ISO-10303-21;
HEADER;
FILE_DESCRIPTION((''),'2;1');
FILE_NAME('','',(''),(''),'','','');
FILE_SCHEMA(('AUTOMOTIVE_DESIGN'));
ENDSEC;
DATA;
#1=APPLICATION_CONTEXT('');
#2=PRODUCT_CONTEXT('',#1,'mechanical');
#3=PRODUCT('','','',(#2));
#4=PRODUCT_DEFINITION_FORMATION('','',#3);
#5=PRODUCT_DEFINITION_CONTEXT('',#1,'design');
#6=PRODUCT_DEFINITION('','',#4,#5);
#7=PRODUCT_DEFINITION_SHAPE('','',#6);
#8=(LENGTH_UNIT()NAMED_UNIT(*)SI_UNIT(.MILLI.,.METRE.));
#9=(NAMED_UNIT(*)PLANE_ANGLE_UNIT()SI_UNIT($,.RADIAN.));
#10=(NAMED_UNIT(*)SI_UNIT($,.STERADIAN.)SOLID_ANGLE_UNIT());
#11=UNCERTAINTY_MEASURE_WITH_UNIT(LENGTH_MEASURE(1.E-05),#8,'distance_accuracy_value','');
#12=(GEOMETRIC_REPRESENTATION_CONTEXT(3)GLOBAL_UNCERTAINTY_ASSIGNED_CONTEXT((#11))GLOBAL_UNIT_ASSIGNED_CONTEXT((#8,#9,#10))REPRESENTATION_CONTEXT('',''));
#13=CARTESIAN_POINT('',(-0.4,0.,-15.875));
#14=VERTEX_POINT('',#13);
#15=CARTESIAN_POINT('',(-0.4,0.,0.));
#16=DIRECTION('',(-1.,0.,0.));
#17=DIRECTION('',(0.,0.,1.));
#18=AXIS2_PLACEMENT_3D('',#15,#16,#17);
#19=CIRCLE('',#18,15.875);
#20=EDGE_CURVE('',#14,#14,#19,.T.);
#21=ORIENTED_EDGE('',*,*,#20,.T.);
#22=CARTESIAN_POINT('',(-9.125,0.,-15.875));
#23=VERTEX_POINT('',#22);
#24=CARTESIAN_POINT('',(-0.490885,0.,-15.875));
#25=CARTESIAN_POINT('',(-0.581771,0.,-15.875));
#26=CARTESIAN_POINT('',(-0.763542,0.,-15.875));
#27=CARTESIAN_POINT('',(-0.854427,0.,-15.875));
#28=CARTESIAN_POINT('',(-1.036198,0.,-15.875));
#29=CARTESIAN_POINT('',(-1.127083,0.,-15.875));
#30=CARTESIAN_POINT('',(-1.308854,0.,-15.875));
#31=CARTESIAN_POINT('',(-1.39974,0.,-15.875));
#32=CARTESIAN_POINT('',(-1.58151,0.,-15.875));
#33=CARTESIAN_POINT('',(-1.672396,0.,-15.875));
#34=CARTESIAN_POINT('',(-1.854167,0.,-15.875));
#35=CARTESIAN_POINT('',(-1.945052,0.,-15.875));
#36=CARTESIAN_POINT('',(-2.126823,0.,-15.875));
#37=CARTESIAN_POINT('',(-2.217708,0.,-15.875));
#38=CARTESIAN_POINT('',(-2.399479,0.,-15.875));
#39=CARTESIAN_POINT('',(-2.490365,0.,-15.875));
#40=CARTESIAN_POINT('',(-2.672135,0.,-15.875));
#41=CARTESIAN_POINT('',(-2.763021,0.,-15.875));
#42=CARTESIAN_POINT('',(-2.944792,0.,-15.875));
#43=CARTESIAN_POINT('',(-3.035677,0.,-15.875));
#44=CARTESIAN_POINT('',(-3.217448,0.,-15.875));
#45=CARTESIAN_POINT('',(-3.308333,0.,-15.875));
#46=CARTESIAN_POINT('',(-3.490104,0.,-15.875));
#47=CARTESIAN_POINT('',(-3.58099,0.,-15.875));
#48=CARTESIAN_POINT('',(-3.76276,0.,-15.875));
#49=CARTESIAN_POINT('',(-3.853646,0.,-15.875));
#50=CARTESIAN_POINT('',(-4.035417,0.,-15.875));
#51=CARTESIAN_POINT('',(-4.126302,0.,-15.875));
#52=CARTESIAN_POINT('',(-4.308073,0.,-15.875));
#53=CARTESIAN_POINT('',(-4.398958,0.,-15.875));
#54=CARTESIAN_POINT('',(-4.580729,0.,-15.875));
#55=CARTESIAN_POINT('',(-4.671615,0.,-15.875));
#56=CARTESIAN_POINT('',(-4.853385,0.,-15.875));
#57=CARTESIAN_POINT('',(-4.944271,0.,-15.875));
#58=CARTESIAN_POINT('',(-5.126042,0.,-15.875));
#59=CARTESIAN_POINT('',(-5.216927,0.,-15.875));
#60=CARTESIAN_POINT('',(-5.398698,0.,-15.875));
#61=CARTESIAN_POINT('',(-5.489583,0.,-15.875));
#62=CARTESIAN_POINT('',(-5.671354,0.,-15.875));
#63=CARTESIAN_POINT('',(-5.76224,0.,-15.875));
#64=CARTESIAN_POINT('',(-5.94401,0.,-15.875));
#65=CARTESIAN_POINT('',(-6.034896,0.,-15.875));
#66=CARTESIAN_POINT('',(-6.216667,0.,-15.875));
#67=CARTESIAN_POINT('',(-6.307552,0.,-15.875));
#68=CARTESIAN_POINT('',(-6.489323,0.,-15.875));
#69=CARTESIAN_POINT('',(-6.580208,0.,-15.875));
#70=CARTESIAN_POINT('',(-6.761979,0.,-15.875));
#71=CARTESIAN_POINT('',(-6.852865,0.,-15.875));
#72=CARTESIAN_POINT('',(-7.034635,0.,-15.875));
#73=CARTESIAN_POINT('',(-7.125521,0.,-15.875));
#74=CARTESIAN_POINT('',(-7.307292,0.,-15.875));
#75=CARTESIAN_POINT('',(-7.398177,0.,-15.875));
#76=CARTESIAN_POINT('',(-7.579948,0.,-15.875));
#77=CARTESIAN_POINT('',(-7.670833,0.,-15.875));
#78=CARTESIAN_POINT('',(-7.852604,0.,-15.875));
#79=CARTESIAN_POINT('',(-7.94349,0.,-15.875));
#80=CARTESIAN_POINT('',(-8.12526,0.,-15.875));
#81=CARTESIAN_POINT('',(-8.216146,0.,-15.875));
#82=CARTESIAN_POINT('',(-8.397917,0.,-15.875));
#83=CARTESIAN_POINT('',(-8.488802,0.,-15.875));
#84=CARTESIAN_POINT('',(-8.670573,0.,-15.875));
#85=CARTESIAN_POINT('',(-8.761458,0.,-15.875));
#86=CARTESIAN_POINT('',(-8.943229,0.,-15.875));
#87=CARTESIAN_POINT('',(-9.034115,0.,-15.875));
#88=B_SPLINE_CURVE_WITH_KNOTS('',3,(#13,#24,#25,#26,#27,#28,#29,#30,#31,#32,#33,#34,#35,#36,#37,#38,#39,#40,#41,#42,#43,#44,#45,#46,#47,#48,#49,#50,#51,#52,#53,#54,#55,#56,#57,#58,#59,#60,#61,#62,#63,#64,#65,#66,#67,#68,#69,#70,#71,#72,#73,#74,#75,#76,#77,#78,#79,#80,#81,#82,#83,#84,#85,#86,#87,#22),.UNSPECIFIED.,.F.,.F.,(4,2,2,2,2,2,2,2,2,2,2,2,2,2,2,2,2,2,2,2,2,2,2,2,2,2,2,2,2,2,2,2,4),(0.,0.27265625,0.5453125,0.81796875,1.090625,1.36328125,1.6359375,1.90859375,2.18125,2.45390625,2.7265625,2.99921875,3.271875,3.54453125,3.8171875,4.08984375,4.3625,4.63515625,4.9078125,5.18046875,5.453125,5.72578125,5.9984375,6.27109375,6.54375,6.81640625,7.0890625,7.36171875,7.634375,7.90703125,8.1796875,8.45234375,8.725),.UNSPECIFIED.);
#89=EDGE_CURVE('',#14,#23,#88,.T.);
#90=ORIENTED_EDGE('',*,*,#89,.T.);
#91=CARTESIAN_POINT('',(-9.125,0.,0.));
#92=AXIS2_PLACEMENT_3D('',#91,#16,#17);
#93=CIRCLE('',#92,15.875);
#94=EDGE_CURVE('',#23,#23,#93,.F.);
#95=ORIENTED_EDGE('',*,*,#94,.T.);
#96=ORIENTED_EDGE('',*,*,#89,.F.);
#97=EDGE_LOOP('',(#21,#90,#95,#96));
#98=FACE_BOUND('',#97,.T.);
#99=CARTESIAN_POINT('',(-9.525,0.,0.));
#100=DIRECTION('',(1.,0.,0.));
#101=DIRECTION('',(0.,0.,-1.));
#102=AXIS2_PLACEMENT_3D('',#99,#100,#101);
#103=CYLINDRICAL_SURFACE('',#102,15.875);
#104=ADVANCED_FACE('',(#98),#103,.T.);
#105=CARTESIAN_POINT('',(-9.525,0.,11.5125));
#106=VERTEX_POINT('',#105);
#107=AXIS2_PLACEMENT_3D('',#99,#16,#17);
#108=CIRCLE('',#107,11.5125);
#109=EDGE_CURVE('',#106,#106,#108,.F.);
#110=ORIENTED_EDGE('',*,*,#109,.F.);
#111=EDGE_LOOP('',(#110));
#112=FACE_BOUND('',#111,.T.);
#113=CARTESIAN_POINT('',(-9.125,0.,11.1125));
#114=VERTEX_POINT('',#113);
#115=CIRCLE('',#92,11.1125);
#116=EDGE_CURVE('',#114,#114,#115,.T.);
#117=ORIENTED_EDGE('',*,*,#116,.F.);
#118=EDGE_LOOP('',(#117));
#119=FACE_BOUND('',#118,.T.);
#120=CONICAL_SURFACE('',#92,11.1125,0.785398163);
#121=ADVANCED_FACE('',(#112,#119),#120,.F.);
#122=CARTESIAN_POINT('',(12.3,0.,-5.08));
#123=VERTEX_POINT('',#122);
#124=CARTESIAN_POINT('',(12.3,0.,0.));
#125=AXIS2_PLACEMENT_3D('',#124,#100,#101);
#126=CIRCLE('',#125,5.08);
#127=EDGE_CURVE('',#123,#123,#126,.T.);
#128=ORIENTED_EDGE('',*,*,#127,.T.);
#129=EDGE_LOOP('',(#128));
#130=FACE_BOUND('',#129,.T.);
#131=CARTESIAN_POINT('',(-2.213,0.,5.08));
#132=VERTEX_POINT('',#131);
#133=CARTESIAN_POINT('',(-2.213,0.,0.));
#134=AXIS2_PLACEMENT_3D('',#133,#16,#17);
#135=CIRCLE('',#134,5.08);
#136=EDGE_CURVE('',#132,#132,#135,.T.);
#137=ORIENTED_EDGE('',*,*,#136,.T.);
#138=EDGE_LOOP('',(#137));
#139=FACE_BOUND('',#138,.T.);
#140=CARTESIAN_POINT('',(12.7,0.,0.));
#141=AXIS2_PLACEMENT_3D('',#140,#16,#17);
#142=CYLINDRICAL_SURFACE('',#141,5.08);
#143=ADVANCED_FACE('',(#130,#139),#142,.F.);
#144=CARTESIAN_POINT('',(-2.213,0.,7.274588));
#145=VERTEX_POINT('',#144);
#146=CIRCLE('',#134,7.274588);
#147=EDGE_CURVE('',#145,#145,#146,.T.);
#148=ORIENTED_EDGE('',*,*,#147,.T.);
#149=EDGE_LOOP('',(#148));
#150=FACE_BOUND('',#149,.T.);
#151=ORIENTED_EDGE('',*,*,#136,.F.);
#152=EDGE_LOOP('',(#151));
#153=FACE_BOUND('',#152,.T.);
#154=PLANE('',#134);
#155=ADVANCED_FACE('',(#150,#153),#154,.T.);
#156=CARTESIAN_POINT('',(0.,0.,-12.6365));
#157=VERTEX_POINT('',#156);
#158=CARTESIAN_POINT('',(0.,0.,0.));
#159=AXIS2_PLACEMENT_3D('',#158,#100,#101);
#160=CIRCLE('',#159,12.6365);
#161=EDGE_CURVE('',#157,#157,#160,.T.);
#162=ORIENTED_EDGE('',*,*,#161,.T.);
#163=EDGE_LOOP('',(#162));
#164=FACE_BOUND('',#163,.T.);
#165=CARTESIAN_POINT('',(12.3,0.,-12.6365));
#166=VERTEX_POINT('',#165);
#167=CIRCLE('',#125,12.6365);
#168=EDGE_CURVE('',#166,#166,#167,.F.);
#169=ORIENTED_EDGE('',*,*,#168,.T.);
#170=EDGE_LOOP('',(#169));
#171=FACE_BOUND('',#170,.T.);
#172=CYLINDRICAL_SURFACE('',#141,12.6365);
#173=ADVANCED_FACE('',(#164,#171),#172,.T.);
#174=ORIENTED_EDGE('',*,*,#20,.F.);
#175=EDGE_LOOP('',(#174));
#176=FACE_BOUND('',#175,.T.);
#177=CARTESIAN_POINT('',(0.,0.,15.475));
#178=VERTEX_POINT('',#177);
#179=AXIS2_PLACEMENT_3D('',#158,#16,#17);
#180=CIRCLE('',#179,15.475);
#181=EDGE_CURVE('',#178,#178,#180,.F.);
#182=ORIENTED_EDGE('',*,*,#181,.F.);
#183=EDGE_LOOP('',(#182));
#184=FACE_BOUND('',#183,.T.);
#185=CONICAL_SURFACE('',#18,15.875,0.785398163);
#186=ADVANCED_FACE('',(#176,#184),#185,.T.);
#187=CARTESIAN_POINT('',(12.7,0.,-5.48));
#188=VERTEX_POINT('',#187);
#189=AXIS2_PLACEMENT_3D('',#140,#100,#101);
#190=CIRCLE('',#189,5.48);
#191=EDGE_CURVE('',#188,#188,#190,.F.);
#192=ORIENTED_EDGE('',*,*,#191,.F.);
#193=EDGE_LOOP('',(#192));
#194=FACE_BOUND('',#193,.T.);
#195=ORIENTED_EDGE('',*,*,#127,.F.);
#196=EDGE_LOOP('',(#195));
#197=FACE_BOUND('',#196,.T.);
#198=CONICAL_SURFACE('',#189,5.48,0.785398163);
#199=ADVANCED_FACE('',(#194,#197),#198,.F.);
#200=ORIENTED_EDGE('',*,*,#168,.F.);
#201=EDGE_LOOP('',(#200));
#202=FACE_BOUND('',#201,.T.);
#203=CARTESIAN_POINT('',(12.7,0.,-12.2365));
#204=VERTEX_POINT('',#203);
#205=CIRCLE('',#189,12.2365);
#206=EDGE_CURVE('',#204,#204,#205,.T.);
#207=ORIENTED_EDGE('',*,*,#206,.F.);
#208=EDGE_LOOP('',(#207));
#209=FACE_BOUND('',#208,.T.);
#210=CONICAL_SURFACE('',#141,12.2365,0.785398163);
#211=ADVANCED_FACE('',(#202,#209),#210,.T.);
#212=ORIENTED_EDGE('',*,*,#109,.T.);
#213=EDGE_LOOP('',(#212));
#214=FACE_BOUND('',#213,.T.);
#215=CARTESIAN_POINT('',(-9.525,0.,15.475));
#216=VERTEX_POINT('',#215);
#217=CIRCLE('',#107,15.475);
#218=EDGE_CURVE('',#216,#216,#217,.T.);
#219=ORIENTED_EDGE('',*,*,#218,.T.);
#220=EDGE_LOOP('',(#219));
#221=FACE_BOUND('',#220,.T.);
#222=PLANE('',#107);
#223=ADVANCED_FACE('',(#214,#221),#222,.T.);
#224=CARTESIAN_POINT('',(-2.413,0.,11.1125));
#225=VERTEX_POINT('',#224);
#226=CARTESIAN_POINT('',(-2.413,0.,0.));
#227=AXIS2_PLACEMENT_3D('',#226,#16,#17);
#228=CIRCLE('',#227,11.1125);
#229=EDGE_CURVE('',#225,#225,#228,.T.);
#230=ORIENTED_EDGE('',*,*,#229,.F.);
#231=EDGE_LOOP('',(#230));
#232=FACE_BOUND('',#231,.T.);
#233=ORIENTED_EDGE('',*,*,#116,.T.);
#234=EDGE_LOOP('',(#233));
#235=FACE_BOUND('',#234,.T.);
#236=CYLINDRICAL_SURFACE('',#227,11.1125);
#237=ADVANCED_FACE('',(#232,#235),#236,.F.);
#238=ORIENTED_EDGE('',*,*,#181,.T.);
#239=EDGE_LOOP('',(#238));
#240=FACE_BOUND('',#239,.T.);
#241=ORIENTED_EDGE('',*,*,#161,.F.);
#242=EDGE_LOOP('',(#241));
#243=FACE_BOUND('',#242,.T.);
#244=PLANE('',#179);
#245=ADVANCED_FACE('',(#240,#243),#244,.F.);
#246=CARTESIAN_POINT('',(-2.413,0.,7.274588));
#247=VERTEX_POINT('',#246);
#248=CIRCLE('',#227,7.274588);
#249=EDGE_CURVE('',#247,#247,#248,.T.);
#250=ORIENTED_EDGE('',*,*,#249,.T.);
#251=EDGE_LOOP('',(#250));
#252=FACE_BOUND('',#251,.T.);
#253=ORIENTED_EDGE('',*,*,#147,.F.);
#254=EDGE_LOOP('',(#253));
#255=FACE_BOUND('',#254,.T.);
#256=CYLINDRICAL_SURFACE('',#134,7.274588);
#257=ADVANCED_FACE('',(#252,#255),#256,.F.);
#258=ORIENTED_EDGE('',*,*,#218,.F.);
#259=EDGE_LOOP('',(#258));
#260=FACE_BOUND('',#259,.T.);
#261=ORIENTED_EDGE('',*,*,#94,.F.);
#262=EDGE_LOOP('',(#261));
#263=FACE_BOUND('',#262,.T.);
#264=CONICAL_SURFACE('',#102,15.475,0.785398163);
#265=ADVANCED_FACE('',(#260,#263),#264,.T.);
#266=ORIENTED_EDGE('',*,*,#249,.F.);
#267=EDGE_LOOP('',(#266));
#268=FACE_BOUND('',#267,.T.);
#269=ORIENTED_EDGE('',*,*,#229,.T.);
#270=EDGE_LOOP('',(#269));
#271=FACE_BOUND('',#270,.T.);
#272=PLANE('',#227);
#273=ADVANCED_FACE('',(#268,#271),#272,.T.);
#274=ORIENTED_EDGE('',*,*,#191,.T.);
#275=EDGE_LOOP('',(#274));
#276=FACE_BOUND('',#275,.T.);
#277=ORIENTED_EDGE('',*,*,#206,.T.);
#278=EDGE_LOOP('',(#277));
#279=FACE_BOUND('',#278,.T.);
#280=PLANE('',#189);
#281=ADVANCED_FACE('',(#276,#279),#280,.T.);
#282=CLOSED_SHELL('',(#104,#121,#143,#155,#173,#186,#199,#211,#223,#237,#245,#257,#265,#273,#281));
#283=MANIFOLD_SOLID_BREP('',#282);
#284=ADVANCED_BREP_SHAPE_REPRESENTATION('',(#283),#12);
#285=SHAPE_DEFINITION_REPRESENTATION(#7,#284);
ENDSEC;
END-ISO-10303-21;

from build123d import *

# Parameters (mm, degrees)
SKETCH1_R           = 12.6365
BOSS_EXTRUDE1_DEPTH = 12.7
SKETCH2_R           = 15.875
BOSS_EXTRUDE2_DEPTH = 9.525
SKETCH3_R           = 11.1125
CUT_EXTRUDE1_DEPTH  = 7.112
SKETCH4_R           = 7.27458794
CUT_EXTRUDE2_DEPTH  = 0.2
SKETCH5_R           = 5.08
CUT_EXTRUDE3_DEPTH  = 27.952343479
CHAMFER1_SIZE       = 0.4


with BuildPart() as part:
    # Sketch1 → Boss-Extrude1 (new body)
    with BuildSketch(Plane(origin=(0, 0, 0), x_dir=(0, 0, -1), z_dir=(1, 0, 0))):
        Circle(SKETCH1_R)
    extrude(amount=BOSS_EXTRUDE1_DEPTH)

    # Sketch2 → Boss-Extrude2 (add)
    with BuildSketch(Plane.ZY):
        with Locations(Location((0, 0, 0), (0, 0, 180))):
            Circle(SKETCH2_R)
    extrude(amount=BOSS_EXTRUDE2_DEPTH)

    # Sketch3 → Cut-Extrude1 (cut)
    with BuildSketch(Plane.ZY.offset(9.525)):
        Circle(SKETCH3_R)
    extrude(amount=-CUT_EXTRUDE1_DEPTH, mode=Mode.SUBTRACT)

    # Sketch4 → Cut-Extrude2 (cut)
    with BuildSketch(Plane.ZY.offset(2.413)):
        Circle(SKETCH4_R)
    extrude(amount=-CUT_EXTRUDE2_DEPTH, mode=Mode.SUBTRACT)

    # Sketch5 → Cut-Extrude3 (cut, through all)
    with BuildSketch(Plane.ZY.offset(2.213)):
        Circle(SKETCH5_R)
    extrude(amount=-CUT_EXTRUDE3_DEPTH, mode=Mode.SUBTRACT)

    # Chamfer1
    chamfer1_edges = [part.edges().sort_by_distance(p)[0] for p in [
        (-9.525, 0, -11.1125),
        (12.7, 0, -5.08),
        (12.7, 0, 12.6365),
        (0, 0, 15.875),
        (-9.525, 0, 15.875),
    ]]
    chamfer(chamfer1_edges, length=CHAMFER1_SIZE)


solid = part.part
